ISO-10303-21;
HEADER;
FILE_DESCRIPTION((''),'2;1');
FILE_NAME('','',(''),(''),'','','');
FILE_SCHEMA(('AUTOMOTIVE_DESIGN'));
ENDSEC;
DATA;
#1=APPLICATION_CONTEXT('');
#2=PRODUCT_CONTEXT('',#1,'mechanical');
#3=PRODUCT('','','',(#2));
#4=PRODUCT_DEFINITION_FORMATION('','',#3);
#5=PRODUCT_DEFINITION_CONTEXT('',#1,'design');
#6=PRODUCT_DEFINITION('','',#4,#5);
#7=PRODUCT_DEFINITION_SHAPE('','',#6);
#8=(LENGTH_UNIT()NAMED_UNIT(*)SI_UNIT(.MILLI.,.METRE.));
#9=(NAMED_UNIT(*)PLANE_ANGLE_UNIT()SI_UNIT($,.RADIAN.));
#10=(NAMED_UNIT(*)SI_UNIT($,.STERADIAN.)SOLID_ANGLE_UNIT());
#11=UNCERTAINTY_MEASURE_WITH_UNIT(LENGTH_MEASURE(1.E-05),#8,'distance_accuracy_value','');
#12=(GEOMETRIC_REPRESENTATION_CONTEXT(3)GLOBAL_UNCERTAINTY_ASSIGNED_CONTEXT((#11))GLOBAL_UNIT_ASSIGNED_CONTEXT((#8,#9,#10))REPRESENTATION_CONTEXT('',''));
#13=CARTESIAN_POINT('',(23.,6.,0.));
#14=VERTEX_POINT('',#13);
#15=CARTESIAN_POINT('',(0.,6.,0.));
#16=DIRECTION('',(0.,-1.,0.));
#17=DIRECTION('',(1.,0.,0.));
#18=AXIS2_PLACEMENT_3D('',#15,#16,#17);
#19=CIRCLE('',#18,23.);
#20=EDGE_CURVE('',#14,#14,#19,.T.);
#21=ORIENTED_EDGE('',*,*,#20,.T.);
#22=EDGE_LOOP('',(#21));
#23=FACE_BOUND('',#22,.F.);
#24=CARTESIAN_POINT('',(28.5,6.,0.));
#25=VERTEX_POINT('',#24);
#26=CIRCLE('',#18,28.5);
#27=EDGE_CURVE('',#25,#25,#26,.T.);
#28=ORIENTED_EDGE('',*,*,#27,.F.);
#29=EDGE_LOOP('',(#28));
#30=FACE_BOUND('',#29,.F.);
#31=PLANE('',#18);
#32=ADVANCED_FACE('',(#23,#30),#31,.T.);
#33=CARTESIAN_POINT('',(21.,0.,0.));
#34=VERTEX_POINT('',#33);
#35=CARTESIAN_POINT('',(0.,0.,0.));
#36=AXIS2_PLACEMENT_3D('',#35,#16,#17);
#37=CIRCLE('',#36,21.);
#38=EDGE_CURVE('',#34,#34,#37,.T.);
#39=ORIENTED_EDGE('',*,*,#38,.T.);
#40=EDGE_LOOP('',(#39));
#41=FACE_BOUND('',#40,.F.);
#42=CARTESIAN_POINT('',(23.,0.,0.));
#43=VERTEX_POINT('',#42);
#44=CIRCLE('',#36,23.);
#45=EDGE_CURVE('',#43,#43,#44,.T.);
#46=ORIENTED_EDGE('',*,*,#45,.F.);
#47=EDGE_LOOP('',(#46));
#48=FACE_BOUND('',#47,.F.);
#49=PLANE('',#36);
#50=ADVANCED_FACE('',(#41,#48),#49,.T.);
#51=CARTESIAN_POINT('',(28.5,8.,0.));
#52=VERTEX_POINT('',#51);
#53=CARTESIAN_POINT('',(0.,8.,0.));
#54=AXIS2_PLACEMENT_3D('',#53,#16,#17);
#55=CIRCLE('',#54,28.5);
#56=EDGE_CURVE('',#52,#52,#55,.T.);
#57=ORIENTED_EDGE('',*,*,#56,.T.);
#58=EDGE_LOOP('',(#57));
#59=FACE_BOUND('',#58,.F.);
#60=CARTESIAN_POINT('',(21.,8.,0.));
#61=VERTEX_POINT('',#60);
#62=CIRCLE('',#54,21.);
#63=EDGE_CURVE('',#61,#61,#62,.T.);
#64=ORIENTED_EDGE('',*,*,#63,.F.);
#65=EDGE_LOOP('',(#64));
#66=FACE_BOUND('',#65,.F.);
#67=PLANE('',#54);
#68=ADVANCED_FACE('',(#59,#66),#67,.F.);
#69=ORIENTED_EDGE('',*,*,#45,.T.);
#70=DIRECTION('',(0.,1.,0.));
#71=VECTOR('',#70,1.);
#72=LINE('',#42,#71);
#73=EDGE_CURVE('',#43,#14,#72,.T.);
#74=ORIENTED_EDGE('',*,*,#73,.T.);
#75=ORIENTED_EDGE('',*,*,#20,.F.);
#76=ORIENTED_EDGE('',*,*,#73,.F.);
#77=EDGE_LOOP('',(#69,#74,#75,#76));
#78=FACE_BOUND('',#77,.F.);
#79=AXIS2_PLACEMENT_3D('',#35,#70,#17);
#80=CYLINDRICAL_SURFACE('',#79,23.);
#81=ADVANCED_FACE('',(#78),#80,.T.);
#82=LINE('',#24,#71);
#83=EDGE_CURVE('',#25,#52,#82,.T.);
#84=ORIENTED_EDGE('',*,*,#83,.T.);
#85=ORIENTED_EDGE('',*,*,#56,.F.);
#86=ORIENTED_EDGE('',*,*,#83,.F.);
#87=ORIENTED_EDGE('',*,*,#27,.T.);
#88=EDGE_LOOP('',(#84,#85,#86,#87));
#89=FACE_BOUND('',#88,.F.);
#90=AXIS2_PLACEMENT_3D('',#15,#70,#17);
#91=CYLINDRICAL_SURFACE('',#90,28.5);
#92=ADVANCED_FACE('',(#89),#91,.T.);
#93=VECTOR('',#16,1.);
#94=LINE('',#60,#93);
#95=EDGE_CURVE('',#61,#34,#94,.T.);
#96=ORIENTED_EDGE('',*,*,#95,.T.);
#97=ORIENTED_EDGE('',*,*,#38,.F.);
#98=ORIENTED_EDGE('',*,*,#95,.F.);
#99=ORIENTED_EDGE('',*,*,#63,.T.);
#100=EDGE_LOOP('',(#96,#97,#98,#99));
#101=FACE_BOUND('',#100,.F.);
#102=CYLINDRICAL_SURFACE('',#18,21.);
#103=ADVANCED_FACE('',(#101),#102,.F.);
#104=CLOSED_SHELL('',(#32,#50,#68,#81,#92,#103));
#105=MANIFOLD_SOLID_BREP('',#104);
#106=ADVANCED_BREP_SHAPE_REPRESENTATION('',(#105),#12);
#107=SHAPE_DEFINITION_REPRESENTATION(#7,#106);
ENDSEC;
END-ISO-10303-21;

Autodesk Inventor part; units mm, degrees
ref_plane "YZ Plane" through (0, 0, 0) normal (1, 0, 0) x (0, 1, 0)
ref_plane "XZ Plane" through (0, 0, 0) normal (0, 1, 0) x (-1, 0, 0)
ref_plane "XY Plane" through (0, 0, 0) normal (0, 0, 1) x (1, 0, 0)
sketch "Sketch1" plane through (0, 0, 0) normal (0, 0, 1) x (1, 0, 0)
  line L0 (0, 0) -> (23, 0) construction
  line L1 (23, 0) -> (23, 6) construction
  line L2 (23, 6) -> (0, 6) construction
  line L3 (0, 6) -> (0, 0) construction
  line L4 (23, 6) -> (21, 6)
  line L5 (21, 6) -> (21, 0)
  line L6 (21, 0) -> (23, 0)
  line L7 (23, 0) -> (23, 6)
  line L8 (21, 6) -> (28.5, 6)
  line L9 (28.5, 6) -> (28.5, 8)
  line L10 (28.5, 8) -> (21, 8)
  line L11 (21, 8) -> (21, 6)
  dimension "d0" = 23
  dimension "d1" = 6
  dimension "d2" = 2
  dimension "d3" = 7.5
  dimension "d4" = 2
revolve "Revolution1" add sketch "Sketch1" angle 360 about axis through (0, 6, 0) along (0, -1, 0)
properties part number "silo_adapter"
